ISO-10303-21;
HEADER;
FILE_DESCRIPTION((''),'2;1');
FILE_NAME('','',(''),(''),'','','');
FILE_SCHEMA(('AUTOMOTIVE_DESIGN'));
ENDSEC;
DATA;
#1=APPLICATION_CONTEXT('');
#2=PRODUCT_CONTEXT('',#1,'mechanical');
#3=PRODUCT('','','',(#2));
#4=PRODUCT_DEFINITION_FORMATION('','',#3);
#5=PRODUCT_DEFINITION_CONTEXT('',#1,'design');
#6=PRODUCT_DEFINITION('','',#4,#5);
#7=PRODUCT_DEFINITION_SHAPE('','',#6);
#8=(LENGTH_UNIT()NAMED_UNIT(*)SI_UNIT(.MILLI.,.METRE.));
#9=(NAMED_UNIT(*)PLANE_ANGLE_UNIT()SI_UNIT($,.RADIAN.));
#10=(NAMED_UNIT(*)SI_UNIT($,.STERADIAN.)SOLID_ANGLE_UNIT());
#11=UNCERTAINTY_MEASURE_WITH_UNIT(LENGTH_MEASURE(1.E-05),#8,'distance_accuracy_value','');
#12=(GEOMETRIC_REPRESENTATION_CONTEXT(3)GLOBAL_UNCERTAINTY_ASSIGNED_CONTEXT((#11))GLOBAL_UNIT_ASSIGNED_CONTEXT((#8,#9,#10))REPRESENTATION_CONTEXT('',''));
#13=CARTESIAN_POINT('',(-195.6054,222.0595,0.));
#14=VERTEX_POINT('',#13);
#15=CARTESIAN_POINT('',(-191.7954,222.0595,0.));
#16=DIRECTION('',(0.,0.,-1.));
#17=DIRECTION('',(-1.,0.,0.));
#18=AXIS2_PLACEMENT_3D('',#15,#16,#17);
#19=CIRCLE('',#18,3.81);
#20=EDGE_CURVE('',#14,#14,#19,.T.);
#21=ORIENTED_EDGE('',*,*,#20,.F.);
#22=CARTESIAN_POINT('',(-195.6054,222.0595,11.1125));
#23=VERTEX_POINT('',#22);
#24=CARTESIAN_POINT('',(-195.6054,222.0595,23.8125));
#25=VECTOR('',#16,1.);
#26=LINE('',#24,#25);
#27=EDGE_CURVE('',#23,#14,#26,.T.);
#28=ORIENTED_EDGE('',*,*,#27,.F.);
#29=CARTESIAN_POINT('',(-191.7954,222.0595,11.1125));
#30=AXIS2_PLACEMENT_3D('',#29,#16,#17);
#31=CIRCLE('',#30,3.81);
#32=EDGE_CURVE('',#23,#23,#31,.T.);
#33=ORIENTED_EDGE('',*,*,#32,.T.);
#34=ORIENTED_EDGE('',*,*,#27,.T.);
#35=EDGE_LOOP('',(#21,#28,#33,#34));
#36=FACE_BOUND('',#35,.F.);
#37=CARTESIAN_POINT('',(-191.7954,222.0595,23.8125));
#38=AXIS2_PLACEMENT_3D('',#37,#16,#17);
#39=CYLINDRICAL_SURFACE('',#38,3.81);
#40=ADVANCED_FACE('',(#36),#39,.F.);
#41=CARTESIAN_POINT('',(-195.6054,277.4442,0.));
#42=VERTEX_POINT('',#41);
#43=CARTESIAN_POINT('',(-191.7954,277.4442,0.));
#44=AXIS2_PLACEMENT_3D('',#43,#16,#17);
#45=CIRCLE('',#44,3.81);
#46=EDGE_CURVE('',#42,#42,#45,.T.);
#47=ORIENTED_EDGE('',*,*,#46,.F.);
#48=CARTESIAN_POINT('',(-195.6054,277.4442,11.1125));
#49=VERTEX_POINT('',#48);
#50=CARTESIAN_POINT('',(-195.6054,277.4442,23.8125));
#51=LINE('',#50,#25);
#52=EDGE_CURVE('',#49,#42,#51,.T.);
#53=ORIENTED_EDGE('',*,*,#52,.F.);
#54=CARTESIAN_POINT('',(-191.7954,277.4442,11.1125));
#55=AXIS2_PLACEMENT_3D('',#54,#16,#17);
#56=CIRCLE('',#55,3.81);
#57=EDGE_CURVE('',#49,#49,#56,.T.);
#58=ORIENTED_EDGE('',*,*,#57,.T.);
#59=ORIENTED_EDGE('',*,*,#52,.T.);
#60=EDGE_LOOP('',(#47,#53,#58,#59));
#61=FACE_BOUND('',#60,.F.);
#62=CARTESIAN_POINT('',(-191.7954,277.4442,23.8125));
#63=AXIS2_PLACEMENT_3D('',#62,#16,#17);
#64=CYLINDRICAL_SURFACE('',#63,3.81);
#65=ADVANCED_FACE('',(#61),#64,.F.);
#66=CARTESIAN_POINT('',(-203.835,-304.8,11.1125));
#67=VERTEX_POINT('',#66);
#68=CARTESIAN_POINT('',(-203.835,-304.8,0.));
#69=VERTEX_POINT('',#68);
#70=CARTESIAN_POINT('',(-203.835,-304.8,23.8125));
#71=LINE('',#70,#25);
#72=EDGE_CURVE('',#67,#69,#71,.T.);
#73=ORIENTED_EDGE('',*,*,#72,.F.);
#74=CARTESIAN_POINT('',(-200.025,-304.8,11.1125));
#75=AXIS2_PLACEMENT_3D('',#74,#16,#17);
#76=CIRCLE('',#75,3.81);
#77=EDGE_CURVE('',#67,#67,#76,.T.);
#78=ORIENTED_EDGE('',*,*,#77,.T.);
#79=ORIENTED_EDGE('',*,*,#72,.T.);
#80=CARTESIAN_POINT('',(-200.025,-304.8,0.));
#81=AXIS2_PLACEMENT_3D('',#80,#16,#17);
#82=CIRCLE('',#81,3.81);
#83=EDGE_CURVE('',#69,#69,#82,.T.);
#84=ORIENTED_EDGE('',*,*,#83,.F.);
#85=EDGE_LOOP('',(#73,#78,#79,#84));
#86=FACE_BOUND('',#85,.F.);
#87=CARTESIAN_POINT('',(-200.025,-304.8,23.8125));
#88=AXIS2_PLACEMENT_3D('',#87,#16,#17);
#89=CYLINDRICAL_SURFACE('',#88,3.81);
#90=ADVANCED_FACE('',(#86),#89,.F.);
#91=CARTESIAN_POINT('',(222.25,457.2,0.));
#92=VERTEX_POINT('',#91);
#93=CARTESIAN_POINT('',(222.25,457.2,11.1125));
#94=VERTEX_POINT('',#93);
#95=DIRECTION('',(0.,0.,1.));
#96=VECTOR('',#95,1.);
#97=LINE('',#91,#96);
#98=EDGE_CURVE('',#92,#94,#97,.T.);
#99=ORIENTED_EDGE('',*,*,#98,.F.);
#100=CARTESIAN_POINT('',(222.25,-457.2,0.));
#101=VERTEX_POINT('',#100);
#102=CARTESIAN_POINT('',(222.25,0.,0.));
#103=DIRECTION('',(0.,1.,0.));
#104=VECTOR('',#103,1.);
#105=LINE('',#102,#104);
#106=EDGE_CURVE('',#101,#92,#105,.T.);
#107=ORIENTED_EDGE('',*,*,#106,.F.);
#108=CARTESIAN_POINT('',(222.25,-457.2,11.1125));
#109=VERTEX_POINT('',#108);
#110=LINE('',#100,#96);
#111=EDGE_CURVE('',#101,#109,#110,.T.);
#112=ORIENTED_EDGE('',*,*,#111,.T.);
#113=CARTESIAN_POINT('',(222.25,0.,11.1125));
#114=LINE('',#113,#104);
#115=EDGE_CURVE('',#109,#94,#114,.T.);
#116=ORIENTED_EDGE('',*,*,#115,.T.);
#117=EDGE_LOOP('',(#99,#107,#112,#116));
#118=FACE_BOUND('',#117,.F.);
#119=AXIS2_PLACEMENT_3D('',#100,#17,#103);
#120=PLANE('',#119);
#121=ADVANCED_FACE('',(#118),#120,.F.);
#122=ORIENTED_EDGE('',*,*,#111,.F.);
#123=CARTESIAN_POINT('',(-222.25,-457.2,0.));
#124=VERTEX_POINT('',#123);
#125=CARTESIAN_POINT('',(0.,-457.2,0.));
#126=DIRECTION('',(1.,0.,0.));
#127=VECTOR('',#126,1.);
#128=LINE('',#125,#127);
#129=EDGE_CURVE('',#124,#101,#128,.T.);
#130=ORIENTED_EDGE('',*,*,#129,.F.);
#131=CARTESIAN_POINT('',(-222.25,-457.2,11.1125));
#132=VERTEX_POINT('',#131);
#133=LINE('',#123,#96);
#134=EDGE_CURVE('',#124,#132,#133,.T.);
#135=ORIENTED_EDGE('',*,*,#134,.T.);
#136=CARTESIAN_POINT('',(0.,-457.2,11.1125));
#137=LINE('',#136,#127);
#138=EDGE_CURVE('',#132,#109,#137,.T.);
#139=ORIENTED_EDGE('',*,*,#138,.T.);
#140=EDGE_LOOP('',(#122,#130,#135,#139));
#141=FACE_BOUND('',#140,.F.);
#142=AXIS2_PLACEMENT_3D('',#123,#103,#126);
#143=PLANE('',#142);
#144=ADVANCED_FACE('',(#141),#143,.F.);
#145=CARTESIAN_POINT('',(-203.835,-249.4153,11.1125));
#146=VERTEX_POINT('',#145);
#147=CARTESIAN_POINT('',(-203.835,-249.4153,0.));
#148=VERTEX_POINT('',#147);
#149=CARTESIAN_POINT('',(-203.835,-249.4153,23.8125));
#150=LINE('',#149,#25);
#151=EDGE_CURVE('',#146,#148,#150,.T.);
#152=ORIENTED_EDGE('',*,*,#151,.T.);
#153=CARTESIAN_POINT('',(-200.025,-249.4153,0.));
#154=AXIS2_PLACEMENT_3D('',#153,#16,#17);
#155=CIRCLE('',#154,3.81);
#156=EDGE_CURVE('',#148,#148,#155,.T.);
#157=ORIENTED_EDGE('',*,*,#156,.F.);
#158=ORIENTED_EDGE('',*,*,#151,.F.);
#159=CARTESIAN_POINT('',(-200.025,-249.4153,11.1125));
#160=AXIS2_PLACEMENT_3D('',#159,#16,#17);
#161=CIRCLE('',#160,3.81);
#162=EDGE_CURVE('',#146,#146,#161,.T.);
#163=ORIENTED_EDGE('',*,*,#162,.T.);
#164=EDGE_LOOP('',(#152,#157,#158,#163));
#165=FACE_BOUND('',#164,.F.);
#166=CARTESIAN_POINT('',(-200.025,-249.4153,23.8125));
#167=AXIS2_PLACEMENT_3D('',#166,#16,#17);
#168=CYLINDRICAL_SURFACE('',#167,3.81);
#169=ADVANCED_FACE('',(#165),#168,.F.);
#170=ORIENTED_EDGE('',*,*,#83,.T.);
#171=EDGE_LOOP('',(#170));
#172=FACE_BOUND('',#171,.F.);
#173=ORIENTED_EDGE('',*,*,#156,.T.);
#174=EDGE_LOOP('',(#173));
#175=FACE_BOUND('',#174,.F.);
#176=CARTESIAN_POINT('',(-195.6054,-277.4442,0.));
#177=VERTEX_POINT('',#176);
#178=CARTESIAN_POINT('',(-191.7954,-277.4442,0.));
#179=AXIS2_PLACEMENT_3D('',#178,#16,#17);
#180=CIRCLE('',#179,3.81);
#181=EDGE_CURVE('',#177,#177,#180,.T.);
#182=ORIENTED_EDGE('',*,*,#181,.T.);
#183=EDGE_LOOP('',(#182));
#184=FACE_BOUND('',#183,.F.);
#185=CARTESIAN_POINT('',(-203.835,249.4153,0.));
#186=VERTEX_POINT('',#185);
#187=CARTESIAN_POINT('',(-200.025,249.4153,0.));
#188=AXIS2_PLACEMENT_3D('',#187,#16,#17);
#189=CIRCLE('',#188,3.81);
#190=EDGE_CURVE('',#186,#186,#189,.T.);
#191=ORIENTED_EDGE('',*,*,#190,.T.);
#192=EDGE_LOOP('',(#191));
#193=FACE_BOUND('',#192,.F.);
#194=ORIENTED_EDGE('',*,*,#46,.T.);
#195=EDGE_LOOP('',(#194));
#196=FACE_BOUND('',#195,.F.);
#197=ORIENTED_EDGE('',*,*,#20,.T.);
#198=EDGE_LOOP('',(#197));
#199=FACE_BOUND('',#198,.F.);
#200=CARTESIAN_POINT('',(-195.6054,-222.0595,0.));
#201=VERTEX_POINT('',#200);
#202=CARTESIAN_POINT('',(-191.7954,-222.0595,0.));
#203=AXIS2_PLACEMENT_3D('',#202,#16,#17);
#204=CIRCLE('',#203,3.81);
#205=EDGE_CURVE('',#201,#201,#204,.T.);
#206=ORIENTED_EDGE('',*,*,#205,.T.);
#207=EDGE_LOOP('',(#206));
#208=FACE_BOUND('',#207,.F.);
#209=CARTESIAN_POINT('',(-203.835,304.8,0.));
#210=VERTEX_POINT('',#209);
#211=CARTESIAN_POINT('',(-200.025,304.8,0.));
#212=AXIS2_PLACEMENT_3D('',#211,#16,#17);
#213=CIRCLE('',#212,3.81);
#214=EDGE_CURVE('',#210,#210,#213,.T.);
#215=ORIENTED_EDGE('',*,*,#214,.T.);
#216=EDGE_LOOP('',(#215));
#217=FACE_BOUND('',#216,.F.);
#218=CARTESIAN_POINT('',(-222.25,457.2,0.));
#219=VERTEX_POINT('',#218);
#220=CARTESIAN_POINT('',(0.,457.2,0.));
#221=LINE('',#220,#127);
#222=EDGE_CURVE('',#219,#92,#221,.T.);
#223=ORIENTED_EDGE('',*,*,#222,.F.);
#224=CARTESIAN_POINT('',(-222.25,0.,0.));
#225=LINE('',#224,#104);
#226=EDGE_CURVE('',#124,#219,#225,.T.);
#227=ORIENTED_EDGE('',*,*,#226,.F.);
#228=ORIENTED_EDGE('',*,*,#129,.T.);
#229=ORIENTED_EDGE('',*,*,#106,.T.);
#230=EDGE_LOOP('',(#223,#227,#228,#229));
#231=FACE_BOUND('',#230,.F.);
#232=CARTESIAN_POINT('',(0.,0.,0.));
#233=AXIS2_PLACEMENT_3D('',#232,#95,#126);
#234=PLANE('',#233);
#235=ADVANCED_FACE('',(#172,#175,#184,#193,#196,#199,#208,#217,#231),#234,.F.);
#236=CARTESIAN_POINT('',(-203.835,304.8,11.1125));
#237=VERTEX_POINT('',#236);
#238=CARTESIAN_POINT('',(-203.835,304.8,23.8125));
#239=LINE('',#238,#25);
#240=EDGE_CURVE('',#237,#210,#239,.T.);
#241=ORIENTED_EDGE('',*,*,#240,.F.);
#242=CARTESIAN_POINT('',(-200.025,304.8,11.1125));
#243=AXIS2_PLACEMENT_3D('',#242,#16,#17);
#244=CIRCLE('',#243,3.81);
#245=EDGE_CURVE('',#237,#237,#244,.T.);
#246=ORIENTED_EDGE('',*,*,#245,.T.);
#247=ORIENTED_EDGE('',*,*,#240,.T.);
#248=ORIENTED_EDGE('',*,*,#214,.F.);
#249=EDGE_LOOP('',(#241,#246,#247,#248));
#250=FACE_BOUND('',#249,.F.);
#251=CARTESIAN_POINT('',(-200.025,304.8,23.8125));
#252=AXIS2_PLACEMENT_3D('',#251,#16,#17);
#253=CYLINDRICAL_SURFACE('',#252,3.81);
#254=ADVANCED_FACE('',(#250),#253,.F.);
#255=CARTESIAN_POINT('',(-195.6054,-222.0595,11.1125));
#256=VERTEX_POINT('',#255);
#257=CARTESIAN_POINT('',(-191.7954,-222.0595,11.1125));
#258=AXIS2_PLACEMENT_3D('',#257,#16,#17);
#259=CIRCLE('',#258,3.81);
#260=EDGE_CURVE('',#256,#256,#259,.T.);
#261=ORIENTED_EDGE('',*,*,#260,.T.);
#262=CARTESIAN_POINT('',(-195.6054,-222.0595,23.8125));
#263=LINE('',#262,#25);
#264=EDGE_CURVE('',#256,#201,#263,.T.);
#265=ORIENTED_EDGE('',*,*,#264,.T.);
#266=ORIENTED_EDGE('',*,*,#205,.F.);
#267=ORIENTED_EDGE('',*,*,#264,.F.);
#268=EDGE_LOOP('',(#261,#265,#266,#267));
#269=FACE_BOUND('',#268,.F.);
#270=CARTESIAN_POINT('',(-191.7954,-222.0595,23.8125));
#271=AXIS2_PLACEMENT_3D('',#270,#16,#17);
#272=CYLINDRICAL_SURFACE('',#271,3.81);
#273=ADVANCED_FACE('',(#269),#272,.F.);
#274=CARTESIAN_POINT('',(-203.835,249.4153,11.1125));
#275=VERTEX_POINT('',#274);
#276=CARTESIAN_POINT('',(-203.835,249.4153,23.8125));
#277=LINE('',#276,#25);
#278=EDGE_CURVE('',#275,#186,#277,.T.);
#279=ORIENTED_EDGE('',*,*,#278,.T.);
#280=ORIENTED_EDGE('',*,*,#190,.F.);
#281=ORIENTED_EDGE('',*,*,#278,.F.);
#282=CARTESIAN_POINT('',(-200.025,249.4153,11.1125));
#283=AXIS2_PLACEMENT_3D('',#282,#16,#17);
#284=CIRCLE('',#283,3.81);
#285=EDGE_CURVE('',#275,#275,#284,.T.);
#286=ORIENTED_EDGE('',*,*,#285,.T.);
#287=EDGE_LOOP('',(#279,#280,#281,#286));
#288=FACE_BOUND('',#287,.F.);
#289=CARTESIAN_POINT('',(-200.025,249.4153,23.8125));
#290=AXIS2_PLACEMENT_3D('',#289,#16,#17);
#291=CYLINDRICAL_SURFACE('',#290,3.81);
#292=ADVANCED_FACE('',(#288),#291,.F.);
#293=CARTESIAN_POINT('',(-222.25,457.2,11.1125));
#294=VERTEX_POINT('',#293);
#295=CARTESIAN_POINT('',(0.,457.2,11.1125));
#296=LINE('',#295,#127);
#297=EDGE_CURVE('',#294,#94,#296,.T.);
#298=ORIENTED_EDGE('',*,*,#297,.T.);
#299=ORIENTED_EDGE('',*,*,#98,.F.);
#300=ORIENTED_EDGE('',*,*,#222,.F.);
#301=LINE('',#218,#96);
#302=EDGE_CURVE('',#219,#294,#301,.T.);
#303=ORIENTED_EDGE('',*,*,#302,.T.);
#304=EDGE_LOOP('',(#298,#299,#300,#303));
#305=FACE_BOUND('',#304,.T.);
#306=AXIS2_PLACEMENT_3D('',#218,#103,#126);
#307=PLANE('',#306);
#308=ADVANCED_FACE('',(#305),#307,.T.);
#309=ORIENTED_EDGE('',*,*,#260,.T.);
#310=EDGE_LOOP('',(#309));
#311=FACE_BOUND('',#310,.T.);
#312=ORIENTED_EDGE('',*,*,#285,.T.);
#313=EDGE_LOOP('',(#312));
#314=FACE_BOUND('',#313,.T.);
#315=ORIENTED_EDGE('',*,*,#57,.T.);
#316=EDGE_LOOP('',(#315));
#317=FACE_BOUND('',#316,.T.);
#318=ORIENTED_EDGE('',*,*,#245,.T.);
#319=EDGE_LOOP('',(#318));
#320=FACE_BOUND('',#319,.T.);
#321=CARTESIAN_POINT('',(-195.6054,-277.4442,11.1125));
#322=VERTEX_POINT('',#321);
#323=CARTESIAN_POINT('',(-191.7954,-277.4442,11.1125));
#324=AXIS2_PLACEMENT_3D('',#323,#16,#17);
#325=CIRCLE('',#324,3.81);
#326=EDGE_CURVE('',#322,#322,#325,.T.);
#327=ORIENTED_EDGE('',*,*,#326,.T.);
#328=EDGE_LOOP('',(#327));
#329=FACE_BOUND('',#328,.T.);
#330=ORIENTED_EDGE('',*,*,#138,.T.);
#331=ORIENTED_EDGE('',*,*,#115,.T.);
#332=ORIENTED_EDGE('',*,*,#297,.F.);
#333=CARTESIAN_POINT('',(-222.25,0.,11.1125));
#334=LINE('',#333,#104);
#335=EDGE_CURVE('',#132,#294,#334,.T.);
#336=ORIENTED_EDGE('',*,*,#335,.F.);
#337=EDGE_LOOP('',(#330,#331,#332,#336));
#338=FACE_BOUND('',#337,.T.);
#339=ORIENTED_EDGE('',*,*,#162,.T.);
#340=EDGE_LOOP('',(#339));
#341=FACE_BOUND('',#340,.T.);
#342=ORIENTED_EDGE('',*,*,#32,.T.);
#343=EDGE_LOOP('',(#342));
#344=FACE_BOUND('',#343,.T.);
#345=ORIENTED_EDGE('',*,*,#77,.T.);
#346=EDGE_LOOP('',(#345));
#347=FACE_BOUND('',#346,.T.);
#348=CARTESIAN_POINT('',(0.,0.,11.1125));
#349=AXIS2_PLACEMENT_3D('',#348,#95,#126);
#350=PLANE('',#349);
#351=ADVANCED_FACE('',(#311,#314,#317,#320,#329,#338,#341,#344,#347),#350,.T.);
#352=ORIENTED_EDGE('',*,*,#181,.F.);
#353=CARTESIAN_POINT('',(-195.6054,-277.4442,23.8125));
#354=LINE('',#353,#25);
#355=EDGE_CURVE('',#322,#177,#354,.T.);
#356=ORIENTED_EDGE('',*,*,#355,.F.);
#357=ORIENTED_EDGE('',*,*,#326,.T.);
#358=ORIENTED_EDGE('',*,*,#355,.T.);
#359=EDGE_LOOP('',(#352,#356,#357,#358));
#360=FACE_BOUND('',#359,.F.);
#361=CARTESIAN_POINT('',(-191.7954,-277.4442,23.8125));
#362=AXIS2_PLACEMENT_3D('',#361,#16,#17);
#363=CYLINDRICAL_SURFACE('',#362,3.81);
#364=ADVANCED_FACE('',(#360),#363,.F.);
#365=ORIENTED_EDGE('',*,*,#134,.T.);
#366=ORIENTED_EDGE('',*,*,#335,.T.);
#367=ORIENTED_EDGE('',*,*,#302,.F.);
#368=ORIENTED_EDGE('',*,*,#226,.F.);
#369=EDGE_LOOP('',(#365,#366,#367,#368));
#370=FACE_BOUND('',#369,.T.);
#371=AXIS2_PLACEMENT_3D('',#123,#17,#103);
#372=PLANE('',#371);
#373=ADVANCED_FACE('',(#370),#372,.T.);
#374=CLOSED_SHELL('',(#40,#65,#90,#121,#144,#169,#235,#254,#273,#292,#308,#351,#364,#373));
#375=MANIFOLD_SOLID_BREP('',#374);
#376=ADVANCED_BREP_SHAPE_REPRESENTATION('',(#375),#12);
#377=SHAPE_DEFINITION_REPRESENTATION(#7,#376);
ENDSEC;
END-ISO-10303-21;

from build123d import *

# Parameters (mm, degrees)
F0_W     = 444.5
F0_H     = 914.4
F1_DEPTH = 11.1125
F3_D     = 7.62
F3_DEPTH = 12.7


with BuildPart() as f1:
    # F0 (on Top) → F1 (new body)
    with BuildSketch(Plane.XY):
        Rectangle(F0_W, F0_H)
    extrude(amount=F1_DEPTH)

    # F3
    with Locations(Plane.XY.offset(11.1125)):
        with Locations((-191.7954, 277.4442), (-200.025, 304.8), (-200.025, 249.4153), (-191.7954, 222.0595), (-191.7954, -222.0595), (-200.025, -249.4153), (-191.7954, -277.4442), (-200.025, -304.8)):
            Hole(F3_D / 2, depth=F3_DEPTH)


solid = f1.part
